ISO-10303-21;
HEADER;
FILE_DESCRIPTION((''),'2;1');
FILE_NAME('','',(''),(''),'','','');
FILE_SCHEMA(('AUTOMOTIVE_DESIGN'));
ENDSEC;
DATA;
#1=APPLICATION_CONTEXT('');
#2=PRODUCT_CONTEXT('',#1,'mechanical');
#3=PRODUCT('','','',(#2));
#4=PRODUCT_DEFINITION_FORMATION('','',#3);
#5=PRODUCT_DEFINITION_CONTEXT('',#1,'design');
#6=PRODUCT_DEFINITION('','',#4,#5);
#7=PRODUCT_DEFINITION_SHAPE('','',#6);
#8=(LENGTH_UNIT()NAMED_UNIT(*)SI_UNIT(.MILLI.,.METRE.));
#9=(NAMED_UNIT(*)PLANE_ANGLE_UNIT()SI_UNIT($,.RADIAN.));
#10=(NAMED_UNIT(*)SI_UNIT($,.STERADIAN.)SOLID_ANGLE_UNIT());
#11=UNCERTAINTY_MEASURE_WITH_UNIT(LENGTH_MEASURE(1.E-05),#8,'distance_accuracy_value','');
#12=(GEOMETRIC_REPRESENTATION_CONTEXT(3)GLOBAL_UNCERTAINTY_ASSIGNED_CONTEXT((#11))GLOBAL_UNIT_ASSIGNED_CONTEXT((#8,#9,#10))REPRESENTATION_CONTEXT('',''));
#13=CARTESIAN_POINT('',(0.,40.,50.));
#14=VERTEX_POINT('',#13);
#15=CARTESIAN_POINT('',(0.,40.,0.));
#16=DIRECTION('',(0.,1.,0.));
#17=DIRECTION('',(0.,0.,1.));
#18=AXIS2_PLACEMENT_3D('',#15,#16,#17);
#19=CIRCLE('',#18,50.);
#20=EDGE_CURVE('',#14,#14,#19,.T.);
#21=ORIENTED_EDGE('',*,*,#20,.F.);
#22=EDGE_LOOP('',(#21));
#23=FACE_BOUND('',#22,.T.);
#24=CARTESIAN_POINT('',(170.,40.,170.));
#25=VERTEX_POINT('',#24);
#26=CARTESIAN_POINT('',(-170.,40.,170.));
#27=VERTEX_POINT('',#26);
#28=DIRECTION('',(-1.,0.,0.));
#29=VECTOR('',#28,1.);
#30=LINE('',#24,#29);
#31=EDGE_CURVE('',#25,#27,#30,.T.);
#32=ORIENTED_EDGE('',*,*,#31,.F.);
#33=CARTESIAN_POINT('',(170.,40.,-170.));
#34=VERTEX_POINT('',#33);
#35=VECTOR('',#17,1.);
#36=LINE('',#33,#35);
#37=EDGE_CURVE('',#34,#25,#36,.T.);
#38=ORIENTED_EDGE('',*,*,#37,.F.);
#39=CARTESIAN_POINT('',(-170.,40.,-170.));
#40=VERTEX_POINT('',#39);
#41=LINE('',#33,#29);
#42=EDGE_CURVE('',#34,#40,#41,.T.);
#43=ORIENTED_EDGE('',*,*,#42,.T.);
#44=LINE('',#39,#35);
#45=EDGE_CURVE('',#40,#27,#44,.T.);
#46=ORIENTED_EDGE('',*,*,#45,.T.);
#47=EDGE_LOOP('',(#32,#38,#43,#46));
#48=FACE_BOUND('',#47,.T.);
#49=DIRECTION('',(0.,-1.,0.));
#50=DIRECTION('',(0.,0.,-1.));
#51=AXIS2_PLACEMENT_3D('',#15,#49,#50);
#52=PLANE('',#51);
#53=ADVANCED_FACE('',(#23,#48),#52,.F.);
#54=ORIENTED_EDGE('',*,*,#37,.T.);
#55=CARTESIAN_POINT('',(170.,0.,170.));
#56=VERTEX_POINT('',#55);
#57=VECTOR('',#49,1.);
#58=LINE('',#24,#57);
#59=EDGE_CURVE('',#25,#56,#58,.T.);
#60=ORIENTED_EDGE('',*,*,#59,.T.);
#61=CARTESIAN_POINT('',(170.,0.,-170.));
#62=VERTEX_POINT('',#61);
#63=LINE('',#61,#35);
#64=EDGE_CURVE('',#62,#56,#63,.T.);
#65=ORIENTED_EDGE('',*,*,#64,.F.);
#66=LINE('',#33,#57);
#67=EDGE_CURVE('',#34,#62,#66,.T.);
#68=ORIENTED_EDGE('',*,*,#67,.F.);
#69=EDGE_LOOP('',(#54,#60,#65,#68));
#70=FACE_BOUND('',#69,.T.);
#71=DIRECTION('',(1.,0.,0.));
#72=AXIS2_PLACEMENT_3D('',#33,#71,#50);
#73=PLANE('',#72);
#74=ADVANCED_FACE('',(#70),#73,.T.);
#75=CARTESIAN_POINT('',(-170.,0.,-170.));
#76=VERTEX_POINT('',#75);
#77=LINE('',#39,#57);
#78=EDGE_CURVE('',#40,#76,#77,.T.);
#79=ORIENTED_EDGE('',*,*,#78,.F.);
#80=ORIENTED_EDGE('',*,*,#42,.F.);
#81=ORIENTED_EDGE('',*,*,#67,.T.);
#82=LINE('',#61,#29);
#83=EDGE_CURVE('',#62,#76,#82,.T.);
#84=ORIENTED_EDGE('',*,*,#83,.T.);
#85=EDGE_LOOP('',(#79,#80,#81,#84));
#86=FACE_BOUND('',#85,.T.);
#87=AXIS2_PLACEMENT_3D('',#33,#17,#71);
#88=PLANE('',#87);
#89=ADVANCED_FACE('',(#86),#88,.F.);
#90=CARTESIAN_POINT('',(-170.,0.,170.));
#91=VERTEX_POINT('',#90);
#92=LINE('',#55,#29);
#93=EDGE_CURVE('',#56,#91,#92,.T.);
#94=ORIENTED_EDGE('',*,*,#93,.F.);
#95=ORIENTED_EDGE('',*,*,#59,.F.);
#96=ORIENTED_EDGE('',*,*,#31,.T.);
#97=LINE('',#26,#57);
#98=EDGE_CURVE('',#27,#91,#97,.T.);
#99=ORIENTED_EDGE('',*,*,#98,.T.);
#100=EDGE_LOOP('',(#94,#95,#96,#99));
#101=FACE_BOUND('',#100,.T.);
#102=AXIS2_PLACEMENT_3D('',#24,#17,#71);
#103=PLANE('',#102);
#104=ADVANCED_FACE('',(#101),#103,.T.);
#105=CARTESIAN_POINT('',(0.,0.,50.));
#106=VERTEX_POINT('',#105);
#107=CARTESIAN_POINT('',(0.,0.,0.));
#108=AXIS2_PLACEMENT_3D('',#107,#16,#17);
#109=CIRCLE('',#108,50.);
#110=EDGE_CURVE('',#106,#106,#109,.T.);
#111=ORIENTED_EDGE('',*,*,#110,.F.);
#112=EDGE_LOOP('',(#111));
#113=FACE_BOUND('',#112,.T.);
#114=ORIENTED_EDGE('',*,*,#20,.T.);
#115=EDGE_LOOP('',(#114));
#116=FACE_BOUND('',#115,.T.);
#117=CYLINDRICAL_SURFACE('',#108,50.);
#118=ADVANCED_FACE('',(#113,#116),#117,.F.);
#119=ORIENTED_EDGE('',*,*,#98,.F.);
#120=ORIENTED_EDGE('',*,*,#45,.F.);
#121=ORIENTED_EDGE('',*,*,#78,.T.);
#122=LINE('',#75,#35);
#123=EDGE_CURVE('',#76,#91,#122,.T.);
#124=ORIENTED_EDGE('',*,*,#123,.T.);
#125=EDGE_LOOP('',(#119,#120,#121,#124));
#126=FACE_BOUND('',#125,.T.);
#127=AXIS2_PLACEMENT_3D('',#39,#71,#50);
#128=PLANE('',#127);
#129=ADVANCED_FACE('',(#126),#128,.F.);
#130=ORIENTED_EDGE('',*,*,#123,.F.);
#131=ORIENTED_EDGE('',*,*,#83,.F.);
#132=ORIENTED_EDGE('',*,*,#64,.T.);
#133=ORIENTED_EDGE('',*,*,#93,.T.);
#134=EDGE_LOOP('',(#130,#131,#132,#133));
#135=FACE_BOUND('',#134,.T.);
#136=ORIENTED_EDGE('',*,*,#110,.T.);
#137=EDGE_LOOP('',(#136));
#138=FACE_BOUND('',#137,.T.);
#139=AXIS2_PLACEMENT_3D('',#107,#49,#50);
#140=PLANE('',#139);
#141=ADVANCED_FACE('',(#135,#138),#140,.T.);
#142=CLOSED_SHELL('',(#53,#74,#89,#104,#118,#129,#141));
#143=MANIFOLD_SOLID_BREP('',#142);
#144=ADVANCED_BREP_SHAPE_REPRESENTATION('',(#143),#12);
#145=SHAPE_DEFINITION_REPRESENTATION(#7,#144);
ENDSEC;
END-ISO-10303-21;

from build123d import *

# Parameters (mm, degrees)
SKETCH1_W           = 340
SKETCH1_H           = 340
BOSS_EXTRUDE1_DEPTH = 40
SKETCH2_R           = 50
CUT_EXTRUDE1_DEPTH  = 40


with BuildPart() as part:
    # Sketch1 → Boss-Extrude1 (new body)
    with BuildSketch(Plane(origin=(0, 0, 0), x_dir=(1, 0, 0), z_dir=(0, 1, 0))):
        Rectangle(SKETCH1_W, SKETCH1_H)
    extrude(amount=BOSS_EXTRUDE1_DEPTH)

    # Sketch2 → Cut-Extrude1 (cut)
    with BuildSketch(Plane(origin=(0, 40, 0), x_dir=(1, 0, 0), z_dir=(0, 1, 0))):
        Circle(SKETCH2_R)
    extrude(amount=-CUT_EXTRUDE1_DEPTH, mode=Mode.SUBTRACT)


solid = part.part
